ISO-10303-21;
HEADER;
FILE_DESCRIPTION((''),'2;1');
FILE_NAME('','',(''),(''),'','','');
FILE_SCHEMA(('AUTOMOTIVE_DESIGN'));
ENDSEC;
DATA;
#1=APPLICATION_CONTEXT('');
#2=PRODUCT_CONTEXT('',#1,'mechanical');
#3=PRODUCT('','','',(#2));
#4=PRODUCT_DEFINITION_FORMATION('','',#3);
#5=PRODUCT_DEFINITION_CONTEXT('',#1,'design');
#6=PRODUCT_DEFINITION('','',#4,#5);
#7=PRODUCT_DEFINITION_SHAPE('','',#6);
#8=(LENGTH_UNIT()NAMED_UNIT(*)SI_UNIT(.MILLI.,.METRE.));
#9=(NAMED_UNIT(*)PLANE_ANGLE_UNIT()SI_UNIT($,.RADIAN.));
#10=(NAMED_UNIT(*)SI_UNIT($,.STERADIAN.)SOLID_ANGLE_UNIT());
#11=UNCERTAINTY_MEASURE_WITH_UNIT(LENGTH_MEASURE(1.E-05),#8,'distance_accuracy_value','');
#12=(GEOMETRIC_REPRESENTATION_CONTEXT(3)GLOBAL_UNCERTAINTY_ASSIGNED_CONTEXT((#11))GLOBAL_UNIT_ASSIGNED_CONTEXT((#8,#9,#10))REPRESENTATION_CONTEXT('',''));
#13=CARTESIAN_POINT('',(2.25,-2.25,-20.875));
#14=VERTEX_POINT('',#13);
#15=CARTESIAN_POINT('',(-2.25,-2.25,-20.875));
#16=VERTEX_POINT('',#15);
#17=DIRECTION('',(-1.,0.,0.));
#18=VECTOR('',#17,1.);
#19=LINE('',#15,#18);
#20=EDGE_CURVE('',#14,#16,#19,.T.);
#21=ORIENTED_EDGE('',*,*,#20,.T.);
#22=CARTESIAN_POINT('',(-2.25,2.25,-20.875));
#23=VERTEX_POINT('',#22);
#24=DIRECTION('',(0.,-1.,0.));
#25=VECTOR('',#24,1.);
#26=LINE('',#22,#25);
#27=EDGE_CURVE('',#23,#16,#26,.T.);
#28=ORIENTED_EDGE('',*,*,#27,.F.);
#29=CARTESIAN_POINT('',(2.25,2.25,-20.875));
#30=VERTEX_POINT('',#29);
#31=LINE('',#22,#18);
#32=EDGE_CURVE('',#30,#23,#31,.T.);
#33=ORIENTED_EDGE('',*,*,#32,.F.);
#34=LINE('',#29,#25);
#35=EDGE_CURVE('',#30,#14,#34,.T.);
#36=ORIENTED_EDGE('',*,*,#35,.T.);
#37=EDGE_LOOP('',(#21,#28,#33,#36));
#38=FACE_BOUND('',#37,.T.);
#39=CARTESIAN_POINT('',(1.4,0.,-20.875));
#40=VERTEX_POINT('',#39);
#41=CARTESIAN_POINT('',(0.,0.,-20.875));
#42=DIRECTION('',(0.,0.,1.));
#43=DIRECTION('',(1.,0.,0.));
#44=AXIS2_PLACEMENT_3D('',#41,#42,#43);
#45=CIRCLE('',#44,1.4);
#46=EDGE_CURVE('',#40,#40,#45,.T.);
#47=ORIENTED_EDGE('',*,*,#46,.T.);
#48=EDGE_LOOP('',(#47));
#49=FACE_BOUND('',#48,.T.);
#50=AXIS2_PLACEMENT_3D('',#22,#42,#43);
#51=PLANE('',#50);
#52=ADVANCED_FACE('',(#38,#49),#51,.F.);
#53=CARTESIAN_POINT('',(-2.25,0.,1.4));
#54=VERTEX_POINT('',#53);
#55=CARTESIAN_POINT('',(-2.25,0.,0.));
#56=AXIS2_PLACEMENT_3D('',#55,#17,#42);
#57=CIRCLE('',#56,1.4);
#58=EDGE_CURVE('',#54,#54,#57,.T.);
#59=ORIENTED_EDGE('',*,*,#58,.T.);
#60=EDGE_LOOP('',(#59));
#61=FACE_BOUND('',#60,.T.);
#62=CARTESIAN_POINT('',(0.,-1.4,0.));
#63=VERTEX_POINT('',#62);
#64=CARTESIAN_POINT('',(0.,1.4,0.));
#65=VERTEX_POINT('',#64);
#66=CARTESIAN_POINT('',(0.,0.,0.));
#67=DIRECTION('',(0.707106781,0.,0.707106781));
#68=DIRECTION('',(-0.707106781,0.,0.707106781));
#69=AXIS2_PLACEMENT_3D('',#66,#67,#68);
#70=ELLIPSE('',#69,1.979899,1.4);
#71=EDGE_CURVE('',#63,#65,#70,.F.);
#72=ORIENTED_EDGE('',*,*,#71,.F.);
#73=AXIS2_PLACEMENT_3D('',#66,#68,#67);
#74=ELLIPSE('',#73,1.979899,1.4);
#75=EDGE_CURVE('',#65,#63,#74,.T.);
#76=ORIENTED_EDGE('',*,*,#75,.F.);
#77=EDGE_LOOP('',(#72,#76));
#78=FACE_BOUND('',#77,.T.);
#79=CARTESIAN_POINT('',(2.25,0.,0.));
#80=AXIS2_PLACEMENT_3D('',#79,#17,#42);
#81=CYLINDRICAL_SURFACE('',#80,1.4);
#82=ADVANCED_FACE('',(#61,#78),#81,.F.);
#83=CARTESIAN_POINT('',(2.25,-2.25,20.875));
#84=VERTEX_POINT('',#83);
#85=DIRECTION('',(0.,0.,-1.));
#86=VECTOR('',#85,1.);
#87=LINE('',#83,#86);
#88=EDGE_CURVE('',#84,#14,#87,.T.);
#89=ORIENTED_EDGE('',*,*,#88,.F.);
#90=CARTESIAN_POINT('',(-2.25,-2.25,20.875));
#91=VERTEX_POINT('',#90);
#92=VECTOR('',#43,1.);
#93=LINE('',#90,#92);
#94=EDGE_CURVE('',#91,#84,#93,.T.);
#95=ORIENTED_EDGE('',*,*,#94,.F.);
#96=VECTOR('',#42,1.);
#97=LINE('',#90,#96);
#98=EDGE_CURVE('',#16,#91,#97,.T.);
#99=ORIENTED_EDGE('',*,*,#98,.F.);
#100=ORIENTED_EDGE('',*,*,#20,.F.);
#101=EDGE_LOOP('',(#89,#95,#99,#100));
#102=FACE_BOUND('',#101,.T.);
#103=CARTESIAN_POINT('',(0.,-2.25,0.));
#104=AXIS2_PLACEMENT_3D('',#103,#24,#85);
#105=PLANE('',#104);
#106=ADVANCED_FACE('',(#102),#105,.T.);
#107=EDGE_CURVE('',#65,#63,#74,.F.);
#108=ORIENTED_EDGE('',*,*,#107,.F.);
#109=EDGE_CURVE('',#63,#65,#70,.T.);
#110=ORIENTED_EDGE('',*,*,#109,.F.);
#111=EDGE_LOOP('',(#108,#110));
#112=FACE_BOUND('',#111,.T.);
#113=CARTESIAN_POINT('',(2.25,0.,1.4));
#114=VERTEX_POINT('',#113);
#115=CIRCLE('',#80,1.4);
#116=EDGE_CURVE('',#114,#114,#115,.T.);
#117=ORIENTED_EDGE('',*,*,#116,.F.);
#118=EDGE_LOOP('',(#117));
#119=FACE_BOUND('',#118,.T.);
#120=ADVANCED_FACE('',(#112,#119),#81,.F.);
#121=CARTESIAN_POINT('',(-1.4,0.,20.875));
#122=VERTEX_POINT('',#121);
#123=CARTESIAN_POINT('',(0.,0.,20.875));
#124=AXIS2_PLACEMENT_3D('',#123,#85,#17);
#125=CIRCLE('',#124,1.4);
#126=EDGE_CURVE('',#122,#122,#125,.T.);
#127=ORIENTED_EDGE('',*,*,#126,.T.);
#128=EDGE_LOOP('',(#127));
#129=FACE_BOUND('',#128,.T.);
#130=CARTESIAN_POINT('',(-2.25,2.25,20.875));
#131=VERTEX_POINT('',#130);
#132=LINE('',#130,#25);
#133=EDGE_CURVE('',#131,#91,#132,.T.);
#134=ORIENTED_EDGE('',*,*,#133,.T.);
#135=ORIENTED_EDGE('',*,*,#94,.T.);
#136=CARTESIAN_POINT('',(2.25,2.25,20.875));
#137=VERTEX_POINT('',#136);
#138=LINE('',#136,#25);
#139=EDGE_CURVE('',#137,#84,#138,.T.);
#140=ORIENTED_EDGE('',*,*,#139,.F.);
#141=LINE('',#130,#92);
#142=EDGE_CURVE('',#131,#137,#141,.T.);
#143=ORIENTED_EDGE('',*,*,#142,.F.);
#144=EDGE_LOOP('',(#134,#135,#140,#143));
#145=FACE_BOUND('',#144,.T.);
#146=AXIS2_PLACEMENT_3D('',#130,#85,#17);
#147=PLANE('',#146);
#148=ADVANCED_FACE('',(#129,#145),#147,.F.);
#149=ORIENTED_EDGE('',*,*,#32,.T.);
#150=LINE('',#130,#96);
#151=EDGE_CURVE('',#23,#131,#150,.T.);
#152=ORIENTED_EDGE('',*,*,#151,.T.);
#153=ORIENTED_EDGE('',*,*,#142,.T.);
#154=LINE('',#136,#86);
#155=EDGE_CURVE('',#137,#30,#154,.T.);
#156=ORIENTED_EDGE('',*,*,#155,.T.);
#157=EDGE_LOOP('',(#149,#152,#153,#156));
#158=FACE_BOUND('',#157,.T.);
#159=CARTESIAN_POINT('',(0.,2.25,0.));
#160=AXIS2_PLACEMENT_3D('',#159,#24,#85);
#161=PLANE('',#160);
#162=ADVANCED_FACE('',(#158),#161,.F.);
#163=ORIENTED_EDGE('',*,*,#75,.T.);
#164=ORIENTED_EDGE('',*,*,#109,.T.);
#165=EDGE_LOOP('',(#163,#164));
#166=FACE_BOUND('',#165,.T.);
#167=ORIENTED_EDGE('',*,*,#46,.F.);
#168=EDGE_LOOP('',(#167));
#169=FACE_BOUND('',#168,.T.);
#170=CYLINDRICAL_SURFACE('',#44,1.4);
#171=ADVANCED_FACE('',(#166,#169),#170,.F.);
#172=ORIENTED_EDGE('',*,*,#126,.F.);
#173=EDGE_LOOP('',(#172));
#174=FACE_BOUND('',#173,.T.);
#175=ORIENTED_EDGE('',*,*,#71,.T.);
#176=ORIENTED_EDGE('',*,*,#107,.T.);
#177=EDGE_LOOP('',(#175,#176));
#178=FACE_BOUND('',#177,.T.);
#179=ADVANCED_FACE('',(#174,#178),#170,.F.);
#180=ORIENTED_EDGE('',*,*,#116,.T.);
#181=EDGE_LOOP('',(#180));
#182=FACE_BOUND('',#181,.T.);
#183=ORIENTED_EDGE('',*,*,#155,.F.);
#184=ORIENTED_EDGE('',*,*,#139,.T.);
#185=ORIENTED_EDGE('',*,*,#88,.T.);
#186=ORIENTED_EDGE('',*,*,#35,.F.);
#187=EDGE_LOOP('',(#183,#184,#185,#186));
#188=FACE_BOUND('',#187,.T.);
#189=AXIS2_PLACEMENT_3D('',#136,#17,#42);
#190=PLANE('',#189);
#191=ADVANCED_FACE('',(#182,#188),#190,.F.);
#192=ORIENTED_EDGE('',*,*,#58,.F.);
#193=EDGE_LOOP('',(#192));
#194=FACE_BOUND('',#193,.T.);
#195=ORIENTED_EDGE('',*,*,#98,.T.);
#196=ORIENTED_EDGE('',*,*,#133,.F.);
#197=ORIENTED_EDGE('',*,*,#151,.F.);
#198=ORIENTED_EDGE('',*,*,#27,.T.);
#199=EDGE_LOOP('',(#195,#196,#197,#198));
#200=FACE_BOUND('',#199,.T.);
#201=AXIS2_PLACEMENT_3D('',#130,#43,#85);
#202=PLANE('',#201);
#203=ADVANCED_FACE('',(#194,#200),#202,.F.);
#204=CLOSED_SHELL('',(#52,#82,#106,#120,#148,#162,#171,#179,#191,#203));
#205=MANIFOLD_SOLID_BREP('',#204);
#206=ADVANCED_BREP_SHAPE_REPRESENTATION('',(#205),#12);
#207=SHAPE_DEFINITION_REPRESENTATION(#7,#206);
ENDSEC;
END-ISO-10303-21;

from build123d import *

# Parameters (mm, degrees)
ESBO_O1_W                  = 4.5
ESBO_O1_H                  = 41.75
RESSALTO_EXTRUS_O1_DEPTH   = 2.25
ESBO_O2_R                  = 1.4
CORTE_EXTRUS_O1_DEPTH      = 1
CORTE_EXTRUS_O1_DEPTH_BACK = 42.75
ESBO_O3_R                  = 1.4
CORTE_EXTRUS_O2_DEPTH      = 1
CORTE_EXTRUS_O2_DEPTH_BACK = 5.5


with BuildPart() as part:
    # Esboço1 → Ressalto-extrusão1 (new body, symmetric)
    with BuildSketch(Plane(origin=(0, 0, 0), x_dir=(1, 0, 0), z_dir=(0, 1, 0))):
        Rectangle(ESBO_O1_W, ESBO_O1_H)
    extrude(amount=RESSALTO_EXTRUS_O1_DEPTH, both=True)

    # Esboço2 → Corte-extrusão1 (cut, two sides)
    with BuildSketch(Plane.XY.offset(20.875)) as corte_extrus_o1_sk:
        Circle(ESBO_O2_R)
    extrude(amount=CORTE_EXTRUS_O1_DEPTH, mode=Mode.SUBTRACT)
    extrude(corte_extrus_o1_sk.sketch, amount=-CORTE_EXTRUS_O1_DEPTH_BACK, mode=Mode.SUBTRACT)

    # Esboço3 → Corte-extrusão2 (cut, two sides)
    with BuildSketch(Plane(origin=(-2.25, 0, 0), x_dir=(0, -1, 0), z_dir=(-1, 0, 0))) as corte_extrus_o2_sk:
        Circle(ESBO_O3_R)
    extrude(amount=CORTE_EXTRUS_O2_DEPTH, mode=Mode.SUBTRACT)
    extrude(corte_extrus_o2_sk.sketch, amount=-CORTE_EXTRUS_O2_DEPTH_BACK, mode=Mode.SUBTRACT)


solid = part.part
